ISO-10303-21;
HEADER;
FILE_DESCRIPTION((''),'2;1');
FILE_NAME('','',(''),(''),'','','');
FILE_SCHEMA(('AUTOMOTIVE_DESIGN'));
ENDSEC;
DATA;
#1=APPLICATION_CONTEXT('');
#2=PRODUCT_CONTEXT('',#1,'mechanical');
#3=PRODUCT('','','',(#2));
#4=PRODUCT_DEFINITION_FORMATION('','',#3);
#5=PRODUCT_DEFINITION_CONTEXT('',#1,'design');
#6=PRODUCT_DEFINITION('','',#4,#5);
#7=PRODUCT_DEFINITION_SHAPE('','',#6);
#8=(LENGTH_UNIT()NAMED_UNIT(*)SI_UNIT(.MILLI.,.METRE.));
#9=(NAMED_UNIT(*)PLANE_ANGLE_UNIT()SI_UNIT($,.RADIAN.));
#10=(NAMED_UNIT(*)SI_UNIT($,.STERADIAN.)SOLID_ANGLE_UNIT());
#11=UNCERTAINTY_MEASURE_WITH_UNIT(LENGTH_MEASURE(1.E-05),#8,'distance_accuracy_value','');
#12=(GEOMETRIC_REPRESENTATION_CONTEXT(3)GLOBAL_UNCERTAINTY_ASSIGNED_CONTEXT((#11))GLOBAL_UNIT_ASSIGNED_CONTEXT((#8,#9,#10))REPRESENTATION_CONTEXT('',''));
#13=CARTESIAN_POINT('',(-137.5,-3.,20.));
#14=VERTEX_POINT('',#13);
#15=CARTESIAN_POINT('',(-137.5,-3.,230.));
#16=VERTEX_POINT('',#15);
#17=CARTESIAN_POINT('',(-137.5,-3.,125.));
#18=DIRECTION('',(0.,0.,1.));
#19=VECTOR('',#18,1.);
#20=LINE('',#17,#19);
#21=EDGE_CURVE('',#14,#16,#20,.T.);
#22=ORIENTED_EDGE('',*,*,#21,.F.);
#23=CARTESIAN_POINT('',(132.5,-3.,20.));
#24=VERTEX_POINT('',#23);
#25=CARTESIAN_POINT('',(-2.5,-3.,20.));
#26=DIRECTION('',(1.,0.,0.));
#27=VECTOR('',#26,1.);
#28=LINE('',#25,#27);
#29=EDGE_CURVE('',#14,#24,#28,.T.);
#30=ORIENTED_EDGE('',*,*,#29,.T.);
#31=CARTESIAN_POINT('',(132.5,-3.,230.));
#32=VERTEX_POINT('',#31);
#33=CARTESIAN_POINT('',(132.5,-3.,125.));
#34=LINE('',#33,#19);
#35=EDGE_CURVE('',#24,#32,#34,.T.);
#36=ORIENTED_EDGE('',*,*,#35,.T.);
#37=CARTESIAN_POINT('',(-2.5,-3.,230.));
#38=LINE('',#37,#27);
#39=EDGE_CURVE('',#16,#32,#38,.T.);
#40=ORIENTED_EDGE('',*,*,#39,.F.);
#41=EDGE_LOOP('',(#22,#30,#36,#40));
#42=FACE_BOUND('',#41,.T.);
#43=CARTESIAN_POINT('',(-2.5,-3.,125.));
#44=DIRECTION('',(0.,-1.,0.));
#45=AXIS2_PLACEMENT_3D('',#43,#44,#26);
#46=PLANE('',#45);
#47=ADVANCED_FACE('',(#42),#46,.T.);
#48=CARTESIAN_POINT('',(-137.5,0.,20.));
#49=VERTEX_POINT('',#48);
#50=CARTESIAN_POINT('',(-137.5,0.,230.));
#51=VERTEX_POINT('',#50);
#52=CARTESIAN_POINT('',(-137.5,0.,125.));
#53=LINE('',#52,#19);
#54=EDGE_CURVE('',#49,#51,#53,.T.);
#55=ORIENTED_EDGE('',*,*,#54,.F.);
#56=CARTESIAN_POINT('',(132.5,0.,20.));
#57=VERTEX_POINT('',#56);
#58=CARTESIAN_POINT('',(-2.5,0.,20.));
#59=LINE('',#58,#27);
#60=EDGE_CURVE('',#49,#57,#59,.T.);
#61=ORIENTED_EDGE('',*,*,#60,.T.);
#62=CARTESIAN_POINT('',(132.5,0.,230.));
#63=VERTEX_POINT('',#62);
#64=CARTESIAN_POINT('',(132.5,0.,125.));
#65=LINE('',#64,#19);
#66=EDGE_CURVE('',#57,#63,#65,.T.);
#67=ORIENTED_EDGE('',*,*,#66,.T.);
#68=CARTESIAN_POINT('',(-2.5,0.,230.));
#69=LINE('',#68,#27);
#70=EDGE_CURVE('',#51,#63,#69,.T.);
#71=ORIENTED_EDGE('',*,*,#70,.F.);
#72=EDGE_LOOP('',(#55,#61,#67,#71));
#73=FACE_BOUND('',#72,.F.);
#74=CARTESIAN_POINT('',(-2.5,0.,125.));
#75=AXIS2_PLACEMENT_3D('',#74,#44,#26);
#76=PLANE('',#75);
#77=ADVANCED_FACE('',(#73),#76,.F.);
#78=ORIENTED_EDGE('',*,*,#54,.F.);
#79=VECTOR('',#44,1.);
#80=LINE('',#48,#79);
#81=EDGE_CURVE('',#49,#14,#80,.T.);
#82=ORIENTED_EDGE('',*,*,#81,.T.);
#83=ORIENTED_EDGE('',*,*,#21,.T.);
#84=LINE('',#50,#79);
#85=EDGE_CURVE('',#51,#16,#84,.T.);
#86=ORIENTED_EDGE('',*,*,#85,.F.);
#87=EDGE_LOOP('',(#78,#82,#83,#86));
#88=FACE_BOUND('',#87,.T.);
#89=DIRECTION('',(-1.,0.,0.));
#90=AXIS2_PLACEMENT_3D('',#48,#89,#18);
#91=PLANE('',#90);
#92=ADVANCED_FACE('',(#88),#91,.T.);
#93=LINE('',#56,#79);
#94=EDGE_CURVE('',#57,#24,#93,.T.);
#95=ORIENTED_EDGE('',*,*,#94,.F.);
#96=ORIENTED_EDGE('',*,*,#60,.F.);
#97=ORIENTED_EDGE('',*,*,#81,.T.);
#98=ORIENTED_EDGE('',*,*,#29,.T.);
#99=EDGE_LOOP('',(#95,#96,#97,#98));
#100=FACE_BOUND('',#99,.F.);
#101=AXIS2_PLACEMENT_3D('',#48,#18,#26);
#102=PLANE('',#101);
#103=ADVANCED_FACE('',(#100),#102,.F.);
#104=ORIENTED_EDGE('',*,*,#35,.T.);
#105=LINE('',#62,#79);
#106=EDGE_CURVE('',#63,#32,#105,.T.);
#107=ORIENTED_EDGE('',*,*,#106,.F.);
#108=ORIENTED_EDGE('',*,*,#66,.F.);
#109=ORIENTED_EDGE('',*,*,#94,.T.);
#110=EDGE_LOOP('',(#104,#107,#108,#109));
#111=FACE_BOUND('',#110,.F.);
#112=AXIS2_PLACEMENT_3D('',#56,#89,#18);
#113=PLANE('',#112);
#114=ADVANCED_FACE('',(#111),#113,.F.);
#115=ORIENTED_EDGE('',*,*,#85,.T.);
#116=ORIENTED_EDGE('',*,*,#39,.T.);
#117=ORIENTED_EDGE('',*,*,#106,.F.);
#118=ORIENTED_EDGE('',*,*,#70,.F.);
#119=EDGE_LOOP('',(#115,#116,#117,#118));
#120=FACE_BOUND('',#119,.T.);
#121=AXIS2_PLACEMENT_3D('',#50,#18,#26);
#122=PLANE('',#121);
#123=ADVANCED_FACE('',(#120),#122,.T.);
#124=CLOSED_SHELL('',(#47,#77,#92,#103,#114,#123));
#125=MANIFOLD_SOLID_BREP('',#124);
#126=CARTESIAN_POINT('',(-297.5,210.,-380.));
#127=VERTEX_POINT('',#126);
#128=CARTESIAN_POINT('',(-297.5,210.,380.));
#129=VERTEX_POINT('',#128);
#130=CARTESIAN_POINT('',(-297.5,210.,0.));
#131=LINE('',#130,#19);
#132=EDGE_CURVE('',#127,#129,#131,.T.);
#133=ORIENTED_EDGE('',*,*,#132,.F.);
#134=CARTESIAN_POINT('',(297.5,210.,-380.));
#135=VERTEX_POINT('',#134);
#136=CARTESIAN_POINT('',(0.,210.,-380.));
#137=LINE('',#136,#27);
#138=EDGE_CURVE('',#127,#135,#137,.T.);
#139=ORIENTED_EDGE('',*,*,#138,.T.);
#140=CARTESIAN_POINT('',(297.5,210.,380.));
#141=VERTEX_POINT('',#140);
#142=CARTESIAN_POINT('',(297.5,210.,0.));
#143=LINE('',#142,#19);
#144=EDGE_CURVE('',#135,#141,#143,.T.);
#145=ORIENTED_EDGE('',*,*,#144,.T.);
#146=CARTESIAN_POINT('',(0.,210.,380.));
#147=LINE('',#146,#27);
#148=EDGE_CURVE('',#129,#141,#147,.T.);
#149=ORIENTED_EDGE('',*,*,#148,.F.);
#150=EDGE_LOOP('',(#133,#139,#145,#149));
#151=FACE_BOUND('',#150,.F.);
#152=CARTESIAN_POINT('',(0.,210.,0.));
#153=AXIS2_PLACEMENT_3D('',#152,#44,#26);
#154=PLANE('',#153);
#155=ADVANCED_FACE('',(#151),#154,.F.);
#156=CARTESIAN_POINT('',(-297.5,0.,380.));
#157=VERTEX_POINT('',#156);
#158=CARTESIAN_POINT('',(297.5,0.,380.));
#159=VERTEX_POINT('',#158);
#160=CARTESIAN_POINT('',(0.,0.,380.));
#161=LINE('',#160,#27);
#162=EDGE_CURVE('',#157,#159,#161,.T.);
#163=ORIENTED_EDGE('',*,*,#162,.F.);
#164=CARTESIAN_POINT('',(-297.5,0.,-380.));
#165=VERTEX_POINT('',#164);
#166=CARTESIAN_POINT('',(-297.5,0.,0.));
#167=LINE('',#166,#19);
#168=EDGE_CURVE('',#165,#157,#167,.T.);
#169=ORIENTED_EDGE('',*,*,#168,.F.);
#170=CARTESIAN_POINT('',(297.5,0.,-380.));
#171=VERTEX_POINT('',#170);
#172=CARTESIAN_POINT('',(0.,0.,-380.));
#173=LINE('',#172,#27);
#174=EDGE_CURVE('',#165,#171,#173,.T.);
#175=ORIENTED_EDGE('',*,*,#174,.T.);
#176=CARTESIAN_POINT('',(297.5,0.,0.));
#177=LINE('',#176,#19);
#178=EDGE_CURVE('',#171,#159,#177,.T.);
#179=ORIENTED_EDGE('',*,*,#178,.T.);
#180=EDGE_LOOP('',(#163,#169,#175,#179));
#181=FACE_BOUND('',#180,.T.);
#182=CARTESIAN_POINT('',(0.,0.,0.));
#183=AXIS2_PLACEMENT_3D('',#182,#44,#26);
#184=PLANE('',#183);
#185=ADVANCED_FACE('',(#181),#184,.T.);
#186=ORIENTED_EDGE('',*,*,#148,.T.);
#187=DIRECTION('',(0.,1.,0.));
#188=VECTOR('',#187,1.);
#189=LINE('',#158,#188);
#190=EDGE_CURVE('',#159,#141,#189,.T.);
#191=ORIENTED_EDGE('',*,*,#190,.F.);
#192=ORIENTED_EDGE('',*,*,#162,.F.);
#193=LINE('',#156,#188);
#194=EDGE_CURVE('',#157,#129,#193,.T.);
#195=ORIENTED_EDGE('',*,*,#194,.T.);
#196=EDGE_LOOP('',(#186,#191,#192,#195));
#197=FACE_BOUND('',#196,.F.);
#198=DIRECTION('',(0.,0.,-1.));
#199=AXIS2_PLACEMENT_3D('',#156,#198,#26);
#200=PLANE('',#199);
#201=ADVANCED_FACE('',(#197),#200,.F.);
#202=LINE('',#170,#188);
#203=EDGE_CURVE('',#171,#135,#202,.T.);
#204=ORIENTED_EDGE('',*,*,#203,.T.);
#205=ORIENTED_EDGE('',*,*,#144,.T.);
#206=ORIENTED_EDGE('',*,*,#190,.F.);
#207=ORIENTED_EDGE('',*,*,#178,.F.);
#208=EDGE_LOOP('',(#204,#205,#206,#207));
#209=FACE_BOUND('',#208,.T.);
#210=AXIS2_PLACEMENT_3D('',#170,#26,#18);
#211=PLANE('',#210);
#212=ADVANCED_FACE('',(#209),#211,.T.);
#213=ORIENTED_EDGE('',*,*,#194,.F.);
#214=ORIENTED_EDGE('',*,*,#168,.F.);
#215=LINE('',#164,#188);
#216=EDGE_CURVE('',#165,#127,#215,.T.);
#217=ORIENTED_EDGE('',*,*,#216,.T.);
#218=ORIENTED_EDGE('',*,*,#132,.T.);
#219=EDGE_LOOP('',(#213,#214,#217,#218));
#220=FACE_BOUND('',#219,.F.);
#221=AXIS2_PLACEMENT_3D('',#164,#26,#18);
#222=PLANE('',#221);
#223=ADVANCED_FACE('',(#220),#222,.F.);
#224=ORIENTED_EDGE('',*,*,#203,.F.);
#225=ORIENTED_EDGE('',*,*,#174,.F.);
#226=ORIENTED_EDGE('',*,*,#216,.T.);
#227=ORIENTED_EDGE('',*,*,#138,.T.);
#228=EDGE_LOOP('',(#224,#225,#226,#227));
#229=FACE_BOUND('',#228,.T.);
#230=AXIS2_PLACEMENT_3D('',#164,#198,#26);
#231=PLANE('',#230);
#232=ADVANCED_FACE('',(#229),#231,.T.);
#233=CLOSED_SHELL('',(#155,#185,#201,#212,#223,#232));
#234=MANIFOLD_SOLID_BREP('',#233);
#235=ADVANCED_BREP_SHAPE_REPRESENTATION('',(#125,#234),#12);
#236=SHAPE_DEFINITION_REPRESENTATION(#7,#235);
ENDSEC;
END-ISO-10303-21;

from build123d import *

# Parameters (mm, degrees)
F0_W     = 595
F0_H     = 760
F1_DEPTH = 210
F2_W     = 270
F2_H     = 210
F3_DEPTH = 3


with BuildPart() as f1:
    # F0 (on Front) → F1 (new body)
    with BuildSketch(Plane.XZ):
        Rectangle(F0_W, F0_H)
    extrude(amount=-F1_DEPTH)


with BuildPart() as f3:
    # F2 (on face) → F3 (new body)
    with BuildSketch(Plane.XZ):
        with Locations((-2.5, 125)):
            Rectangle(F2_W, F2_H)
    extrude(amount=F3_DEPTH)


solid = Compound([f1.part, f3.part])
